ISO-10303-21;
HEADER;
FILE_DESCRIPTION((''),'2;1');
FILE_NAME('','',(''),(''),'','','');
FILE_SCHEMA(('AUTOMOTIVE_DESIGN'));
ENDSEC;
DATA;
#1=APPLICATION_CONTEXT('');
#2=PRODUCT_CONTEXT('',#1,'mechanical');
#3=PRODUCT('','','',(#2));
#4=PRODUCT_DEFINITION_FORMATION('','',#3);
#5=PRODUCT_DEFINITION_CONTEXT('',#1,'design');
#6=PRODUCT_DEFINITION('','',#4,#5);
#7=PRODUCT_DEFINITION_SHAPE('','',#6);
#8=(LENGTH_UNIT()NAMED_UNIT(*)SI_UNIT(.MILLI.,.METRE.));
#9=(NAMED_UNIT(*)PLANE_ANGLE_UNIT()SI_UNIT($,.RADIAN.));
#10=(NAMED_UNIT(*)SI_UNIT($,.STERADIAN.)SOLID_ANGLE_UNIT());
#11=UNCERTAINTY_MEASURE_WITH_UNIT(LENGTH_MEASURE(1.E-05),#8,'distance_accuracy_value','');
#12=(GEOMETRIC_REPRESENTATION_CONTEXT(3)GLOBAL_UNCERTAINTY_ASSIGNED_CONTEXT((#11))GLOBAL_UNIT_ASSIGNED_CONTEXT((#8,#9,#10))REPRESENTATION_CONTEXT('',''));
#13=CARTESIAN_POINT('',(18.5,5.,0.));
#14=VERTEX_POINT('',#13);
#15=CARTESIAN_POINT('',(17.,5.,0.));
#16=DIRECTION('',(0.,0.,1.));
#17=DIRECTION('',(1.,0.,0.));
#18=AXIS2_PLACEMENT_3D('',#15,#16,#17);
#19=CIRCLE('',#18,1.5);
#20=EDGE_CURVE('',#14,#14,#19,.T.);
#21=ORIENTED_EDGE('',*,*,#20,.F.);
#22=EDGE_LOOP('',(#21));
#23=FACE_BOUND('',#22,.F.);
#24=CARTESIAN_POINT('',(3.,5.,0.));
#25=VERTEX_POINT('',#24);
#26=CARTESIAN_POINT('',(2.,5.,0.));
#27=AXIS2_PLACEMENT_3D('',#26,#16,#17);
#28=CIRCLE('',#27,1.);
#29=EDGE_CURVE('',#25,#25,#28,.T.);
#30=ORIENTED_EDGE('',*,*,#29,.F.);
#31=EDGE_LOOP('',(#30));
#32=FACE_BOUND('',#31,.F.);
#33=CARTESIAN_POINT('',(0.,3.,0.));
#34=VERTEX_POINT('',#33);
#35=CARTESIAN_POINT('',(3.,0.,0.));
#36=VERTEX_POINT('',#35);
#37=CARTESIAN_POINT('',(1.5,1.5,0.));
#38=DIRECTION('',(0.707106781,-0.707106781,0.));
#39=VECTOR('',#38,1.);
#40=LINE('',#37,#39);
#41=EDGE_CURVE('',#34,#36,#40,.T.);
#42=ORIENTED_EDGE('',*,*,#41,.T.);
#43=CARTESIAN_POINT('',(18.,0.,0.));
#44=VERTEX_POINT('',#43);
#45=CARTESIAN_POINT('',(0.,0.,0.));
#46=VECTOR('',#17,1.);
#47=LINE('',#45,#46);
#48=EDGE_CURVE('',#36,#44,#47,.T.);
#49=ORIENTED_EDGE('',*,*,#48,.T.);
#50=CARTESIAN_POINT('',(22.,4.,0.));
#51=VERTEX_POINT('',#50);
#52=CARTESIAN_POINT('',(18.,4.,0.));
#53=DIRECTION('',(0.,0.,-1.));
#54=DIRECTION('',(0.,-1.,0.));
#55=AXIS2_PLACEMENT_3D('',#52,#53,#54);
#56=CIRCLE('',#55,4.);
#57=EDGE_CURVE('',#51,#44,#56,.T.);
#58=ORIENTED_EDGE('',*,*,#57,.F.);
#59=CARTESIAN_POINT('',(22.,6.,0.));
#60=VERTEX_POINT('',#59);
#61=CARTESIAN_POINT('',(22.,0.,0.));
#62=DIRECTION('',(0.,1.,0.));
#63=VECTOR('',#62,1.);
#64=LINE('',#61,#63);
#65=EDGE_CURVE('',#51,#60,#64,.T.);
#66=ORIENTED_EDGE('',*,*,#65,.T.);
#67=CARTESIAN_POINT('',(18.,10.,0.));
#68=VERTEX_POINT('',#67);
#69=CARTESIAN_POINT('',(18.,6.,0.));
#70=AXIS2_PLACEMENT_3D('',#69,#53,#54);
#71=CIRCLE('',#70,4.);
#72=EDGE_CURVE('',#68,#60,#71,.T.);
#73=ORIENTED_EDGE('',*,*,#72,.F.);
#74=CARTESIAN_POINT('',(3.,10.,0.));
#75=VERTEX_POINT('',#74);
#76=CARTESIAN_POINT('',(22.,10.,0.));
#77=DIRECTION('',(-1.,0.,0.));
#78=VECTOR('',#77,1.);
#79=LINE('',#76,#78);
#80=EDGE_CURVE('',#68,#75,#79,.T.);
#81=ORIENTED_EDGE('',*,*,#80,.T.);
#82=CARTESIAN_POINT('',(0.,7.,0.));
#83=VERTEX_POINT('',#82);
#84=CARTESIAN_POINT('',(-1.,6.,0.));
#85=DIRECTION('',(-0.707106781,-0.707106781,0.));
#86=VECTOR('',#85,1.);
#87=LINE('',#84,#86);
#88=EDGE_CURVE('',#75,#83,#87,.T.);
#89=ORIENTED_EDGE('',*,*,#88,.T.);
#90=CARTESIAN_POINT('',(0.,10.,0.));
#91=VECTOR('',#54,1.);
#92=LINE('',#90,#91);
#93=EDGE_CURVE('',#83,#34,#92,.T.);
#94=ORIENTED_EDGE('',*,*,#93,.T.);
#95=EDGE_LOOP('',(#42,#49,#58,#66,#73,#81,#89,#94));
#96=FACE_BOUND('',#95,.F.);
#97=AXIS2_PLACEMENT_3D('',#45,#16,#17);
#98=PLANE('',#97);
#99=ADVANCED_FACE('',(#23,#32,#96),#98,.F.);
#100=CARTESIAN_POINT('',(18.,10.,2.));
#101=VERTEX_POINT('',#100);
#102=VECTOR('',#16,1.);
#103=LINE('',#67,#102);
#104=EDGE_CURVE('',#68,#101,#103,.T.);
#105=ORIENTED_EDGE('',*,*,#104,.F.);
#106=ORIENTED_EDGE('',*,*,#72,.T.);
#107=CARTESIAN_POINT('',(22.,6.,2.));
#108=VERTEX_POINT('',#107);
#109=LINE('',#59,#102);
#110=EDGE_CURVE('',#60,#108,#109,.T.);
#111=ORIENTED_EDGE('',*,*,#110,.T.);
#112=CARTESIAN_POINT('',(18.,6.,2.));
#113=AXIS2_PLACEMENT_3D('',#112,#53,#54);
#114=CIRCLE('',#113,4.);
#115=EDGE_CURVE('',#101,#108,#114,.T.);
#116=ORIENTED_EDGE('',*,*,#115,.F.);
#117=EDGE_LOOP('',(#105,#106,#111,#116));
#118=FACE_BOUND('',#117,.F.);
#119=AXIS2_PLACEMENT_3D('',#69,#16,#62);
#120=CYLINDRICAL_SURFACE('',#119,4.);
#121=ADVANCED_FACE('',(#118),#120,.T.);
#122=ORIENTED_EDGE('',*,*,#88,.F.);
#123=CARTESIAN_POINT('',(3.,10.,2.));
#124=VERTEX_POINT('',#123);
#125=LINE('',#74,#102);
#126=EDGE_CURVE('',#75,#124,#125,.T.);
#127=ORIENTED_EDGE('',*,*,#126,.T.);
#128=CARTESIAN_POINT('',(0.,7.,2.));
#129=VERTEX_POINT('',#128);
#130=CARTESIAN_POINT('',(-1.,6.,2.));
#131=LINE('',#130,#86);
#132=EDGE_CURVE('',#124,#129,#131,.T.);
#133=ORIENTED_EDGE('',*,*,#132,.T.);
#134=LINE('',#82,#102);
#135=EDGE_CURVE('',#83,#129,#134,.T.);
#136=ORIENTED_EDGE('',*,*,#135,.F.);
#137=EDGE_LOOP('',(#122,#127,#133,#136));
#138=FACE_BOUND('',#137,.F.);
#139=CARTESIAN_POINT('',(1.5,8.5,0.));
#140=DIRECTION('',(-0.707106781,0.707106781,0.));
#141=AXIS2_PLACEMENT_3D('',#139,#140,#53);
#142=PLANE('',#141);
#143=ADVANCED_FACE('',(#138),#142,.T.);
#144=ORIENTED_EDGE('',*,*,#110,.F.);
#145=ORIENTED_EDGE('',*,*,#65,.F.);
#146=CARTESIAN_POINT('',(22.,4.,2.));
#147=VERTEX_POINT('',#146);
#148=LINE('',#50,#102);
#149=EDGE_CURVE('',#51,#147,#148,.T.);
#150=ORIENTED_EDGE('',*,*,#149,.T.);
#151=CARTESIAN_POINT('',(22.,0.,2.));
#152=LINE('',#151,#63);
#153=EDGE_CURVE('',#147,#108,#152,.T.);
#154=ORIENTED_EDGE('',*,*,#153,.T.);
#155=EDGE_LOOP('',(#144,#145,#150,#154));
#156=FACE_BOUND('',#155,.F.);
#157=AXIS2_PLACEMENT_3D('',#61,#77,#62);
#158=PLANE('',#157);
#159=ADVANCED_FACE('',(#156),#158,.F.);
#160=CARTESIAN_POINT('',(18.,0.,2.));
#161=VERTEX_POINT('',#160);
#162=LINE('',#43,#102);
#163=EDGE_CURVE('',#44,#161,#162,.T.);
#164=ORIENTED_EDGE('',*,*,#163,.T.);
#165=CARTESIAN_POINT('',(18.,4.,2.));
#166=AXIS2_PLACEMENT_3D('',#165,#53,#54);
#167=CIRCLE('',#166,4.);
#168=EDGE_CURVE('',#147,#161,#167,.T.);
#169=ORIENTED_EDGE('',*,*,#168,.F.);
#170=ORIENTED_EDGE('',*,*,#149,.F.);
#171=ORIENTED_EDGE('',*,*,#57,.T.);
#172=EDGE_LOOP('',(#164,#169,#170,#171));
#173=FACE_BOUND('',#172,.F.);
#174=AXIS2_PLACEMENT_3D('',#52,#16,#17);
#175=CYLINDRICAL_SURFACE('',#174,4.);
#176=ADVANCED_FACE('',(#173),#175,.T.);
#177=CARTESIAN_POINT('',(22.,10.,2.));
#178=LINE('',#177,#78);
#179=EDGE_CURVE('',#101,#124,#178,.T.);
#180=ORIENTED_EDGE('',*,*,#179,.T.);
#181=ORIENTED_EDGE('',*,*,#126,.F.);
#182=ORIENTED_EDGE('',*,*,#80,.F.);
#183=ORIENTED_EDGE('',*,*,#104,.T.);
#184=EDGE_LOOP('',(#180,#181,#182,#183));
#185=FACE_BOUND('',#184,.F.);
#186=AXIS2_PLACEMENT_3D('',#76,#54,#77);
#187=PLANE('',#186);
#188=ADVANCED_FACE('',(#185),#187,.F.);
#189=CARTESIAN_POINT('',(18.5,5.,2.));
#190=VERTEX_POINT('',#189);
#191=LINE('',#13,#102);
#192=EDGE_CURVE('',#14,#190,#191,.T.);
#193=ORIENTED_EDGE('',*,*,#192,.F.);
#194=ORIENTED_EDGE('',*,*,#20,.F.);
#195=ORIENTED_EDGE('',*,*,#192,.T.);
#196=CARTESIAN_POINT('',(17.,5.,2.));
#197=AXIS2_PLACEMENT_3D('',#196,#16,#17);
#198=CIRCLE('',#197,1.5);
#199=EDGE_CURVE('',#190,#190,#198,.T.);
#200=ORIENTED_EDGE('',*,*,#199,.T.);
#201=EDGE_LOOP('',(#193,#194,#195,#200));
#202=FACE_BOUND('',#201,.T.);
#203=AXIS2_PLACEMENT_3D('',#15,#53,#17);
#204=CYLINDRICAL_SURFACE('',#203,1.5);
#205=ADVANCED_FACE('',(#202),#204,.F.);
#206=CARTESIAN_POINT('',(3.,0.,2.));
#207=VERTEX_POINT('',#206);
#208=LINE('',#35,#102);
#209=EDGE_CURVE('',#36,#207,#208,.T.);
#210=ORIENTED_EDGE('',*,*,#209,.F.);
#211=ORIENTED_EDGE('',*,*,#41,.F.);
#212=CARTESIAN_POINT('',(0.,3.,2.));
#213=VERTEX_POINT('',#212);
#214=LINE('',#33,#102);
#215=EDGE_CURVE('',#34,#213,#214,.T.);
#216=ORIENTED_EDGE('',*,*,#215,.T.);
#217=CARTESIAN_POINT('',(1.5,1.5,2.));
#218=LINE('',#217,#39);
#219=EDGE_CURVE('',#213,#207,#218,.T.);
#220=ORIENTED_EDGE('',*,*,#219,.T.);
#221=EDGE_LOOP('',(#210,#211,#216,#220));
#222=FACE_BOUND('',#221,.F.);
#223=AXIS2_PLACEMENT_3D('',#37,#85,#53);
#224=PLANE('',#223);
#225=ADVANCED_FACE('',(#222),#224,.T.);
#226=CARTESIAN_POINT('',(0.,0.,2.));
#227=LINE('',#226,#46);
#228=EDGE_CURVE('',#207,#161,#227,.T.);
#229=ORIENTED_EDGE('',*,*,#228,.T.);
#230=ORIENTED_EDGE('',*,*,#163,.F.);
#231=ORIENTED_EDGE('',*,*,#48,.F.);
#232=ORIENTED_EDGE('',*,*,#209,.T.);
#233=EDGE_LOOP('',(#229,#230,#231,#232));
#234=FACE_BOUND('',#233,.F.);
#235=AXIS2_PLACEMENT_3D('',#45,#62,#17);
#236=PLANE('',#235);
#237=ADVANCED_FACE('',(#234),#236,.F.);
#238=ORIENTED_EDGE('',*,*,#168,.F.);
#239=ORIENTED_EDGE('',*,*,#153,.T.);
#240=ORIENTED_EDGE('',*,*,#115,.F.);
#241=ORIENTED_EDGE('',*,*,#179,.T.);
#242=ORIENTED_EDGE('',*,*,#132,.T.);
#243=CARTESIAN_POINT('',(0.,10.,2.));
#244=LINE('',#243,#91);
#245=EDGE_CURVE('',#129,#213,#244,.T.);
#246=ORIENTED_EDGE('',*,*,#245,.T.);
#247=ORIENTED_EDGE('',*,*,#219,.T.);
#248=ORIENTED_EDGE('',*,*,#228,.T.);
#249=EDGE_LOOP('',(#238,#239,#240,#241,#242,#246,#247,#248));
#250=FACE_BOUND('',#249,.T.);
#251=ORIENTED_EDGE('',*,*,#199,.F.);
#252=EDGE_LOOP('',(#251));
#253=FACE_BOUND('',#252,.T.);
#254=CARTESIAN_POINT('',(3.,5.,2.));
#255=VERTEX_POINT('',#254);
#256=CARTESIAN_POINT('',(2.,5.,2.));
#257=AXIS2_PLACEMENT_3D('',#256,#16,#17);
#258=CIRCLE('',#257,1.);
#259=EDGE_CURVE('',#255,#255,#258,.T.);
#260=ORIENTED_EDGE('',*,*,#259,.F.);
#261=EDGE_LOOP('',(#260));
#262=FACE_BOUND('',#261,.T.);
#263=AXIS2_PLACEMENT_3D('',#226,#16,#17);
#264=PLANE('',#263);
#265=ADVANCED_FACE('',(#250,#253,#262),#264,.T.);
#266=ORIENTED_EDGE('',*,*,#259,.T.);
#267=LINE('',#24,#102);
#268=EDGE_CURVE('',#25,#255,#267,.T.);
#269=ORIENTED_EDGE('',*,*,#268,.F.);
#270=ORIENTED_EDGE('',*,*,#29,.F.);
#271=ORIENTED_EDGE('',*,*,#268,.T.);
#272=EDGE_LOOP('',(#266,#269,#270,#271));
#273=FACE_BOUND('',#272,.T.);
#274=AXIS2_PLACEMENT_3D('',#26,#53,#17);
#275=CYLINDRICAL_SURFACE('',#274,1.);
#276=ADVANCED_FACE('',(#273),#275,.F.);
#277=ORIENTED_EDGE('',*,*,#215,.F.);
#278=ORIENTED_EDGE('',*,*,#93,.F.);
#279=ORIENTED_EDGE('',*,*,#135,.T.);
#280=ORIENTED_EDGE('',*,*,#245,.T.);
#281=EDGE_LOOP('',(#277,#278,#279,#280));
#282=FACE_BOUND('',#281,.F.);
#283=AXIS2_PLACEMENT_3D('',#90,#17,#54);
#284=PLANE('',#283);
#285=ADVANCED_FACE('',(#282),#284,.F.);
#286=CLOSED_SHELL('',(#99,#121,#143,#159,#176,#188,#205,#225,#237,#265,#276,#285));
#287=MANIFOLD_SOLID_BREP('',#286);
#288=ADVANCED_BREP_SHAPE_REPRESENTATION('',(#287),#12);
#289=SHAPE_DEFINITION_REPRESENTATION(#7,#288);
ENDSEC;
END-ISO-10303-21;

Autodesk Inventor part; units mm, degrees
ref_plane "YZ Plane" through (0, 0, 0) normal (1, 0, 0) x (0, 1, 0)
ref_plane "XZ Plane" through (0, 0, 0) normal (0, 1, 0) x (-1, 0, 0)
ref_plane "XY Plane" through (0, 0, 0) normal (0, 0, 1) x (1, 0, 0)
sketch "Sketch1" plane through (0, 0, 0) normal (0, 0, 1) x (1, 0, 0)
  line L0 (0, 0) -> (22, 0)
  line L1 (22, 0) -> (22, 10)
  line L2 (22, 10) -> (0, 10)
  line L3 (0, 10) -> (0, 0)
  circle A0 centre (17, 5) radius 1.5
  circle A1 centre (2, 5) radius 1
  point P0 (22, 5)
  dimension "d0" = 22
  dimension "d1" = 10
  dimension "d2" = 3
  dimension "d3" = 2
  dimension "d4" = 15
  dimension "d5" = 5
extrude "Extrusion1" add sketch "Sketch1" along normal blind 2
fillet "Fillet1" radius 4 2 edges at (22, 10, 1) (22, 0, 1)
chamfer "Chamfer1" distance 3 angle 45 2 edges at (0, 10, 1) (0, 0, 1)
properties part number "servo arm"
